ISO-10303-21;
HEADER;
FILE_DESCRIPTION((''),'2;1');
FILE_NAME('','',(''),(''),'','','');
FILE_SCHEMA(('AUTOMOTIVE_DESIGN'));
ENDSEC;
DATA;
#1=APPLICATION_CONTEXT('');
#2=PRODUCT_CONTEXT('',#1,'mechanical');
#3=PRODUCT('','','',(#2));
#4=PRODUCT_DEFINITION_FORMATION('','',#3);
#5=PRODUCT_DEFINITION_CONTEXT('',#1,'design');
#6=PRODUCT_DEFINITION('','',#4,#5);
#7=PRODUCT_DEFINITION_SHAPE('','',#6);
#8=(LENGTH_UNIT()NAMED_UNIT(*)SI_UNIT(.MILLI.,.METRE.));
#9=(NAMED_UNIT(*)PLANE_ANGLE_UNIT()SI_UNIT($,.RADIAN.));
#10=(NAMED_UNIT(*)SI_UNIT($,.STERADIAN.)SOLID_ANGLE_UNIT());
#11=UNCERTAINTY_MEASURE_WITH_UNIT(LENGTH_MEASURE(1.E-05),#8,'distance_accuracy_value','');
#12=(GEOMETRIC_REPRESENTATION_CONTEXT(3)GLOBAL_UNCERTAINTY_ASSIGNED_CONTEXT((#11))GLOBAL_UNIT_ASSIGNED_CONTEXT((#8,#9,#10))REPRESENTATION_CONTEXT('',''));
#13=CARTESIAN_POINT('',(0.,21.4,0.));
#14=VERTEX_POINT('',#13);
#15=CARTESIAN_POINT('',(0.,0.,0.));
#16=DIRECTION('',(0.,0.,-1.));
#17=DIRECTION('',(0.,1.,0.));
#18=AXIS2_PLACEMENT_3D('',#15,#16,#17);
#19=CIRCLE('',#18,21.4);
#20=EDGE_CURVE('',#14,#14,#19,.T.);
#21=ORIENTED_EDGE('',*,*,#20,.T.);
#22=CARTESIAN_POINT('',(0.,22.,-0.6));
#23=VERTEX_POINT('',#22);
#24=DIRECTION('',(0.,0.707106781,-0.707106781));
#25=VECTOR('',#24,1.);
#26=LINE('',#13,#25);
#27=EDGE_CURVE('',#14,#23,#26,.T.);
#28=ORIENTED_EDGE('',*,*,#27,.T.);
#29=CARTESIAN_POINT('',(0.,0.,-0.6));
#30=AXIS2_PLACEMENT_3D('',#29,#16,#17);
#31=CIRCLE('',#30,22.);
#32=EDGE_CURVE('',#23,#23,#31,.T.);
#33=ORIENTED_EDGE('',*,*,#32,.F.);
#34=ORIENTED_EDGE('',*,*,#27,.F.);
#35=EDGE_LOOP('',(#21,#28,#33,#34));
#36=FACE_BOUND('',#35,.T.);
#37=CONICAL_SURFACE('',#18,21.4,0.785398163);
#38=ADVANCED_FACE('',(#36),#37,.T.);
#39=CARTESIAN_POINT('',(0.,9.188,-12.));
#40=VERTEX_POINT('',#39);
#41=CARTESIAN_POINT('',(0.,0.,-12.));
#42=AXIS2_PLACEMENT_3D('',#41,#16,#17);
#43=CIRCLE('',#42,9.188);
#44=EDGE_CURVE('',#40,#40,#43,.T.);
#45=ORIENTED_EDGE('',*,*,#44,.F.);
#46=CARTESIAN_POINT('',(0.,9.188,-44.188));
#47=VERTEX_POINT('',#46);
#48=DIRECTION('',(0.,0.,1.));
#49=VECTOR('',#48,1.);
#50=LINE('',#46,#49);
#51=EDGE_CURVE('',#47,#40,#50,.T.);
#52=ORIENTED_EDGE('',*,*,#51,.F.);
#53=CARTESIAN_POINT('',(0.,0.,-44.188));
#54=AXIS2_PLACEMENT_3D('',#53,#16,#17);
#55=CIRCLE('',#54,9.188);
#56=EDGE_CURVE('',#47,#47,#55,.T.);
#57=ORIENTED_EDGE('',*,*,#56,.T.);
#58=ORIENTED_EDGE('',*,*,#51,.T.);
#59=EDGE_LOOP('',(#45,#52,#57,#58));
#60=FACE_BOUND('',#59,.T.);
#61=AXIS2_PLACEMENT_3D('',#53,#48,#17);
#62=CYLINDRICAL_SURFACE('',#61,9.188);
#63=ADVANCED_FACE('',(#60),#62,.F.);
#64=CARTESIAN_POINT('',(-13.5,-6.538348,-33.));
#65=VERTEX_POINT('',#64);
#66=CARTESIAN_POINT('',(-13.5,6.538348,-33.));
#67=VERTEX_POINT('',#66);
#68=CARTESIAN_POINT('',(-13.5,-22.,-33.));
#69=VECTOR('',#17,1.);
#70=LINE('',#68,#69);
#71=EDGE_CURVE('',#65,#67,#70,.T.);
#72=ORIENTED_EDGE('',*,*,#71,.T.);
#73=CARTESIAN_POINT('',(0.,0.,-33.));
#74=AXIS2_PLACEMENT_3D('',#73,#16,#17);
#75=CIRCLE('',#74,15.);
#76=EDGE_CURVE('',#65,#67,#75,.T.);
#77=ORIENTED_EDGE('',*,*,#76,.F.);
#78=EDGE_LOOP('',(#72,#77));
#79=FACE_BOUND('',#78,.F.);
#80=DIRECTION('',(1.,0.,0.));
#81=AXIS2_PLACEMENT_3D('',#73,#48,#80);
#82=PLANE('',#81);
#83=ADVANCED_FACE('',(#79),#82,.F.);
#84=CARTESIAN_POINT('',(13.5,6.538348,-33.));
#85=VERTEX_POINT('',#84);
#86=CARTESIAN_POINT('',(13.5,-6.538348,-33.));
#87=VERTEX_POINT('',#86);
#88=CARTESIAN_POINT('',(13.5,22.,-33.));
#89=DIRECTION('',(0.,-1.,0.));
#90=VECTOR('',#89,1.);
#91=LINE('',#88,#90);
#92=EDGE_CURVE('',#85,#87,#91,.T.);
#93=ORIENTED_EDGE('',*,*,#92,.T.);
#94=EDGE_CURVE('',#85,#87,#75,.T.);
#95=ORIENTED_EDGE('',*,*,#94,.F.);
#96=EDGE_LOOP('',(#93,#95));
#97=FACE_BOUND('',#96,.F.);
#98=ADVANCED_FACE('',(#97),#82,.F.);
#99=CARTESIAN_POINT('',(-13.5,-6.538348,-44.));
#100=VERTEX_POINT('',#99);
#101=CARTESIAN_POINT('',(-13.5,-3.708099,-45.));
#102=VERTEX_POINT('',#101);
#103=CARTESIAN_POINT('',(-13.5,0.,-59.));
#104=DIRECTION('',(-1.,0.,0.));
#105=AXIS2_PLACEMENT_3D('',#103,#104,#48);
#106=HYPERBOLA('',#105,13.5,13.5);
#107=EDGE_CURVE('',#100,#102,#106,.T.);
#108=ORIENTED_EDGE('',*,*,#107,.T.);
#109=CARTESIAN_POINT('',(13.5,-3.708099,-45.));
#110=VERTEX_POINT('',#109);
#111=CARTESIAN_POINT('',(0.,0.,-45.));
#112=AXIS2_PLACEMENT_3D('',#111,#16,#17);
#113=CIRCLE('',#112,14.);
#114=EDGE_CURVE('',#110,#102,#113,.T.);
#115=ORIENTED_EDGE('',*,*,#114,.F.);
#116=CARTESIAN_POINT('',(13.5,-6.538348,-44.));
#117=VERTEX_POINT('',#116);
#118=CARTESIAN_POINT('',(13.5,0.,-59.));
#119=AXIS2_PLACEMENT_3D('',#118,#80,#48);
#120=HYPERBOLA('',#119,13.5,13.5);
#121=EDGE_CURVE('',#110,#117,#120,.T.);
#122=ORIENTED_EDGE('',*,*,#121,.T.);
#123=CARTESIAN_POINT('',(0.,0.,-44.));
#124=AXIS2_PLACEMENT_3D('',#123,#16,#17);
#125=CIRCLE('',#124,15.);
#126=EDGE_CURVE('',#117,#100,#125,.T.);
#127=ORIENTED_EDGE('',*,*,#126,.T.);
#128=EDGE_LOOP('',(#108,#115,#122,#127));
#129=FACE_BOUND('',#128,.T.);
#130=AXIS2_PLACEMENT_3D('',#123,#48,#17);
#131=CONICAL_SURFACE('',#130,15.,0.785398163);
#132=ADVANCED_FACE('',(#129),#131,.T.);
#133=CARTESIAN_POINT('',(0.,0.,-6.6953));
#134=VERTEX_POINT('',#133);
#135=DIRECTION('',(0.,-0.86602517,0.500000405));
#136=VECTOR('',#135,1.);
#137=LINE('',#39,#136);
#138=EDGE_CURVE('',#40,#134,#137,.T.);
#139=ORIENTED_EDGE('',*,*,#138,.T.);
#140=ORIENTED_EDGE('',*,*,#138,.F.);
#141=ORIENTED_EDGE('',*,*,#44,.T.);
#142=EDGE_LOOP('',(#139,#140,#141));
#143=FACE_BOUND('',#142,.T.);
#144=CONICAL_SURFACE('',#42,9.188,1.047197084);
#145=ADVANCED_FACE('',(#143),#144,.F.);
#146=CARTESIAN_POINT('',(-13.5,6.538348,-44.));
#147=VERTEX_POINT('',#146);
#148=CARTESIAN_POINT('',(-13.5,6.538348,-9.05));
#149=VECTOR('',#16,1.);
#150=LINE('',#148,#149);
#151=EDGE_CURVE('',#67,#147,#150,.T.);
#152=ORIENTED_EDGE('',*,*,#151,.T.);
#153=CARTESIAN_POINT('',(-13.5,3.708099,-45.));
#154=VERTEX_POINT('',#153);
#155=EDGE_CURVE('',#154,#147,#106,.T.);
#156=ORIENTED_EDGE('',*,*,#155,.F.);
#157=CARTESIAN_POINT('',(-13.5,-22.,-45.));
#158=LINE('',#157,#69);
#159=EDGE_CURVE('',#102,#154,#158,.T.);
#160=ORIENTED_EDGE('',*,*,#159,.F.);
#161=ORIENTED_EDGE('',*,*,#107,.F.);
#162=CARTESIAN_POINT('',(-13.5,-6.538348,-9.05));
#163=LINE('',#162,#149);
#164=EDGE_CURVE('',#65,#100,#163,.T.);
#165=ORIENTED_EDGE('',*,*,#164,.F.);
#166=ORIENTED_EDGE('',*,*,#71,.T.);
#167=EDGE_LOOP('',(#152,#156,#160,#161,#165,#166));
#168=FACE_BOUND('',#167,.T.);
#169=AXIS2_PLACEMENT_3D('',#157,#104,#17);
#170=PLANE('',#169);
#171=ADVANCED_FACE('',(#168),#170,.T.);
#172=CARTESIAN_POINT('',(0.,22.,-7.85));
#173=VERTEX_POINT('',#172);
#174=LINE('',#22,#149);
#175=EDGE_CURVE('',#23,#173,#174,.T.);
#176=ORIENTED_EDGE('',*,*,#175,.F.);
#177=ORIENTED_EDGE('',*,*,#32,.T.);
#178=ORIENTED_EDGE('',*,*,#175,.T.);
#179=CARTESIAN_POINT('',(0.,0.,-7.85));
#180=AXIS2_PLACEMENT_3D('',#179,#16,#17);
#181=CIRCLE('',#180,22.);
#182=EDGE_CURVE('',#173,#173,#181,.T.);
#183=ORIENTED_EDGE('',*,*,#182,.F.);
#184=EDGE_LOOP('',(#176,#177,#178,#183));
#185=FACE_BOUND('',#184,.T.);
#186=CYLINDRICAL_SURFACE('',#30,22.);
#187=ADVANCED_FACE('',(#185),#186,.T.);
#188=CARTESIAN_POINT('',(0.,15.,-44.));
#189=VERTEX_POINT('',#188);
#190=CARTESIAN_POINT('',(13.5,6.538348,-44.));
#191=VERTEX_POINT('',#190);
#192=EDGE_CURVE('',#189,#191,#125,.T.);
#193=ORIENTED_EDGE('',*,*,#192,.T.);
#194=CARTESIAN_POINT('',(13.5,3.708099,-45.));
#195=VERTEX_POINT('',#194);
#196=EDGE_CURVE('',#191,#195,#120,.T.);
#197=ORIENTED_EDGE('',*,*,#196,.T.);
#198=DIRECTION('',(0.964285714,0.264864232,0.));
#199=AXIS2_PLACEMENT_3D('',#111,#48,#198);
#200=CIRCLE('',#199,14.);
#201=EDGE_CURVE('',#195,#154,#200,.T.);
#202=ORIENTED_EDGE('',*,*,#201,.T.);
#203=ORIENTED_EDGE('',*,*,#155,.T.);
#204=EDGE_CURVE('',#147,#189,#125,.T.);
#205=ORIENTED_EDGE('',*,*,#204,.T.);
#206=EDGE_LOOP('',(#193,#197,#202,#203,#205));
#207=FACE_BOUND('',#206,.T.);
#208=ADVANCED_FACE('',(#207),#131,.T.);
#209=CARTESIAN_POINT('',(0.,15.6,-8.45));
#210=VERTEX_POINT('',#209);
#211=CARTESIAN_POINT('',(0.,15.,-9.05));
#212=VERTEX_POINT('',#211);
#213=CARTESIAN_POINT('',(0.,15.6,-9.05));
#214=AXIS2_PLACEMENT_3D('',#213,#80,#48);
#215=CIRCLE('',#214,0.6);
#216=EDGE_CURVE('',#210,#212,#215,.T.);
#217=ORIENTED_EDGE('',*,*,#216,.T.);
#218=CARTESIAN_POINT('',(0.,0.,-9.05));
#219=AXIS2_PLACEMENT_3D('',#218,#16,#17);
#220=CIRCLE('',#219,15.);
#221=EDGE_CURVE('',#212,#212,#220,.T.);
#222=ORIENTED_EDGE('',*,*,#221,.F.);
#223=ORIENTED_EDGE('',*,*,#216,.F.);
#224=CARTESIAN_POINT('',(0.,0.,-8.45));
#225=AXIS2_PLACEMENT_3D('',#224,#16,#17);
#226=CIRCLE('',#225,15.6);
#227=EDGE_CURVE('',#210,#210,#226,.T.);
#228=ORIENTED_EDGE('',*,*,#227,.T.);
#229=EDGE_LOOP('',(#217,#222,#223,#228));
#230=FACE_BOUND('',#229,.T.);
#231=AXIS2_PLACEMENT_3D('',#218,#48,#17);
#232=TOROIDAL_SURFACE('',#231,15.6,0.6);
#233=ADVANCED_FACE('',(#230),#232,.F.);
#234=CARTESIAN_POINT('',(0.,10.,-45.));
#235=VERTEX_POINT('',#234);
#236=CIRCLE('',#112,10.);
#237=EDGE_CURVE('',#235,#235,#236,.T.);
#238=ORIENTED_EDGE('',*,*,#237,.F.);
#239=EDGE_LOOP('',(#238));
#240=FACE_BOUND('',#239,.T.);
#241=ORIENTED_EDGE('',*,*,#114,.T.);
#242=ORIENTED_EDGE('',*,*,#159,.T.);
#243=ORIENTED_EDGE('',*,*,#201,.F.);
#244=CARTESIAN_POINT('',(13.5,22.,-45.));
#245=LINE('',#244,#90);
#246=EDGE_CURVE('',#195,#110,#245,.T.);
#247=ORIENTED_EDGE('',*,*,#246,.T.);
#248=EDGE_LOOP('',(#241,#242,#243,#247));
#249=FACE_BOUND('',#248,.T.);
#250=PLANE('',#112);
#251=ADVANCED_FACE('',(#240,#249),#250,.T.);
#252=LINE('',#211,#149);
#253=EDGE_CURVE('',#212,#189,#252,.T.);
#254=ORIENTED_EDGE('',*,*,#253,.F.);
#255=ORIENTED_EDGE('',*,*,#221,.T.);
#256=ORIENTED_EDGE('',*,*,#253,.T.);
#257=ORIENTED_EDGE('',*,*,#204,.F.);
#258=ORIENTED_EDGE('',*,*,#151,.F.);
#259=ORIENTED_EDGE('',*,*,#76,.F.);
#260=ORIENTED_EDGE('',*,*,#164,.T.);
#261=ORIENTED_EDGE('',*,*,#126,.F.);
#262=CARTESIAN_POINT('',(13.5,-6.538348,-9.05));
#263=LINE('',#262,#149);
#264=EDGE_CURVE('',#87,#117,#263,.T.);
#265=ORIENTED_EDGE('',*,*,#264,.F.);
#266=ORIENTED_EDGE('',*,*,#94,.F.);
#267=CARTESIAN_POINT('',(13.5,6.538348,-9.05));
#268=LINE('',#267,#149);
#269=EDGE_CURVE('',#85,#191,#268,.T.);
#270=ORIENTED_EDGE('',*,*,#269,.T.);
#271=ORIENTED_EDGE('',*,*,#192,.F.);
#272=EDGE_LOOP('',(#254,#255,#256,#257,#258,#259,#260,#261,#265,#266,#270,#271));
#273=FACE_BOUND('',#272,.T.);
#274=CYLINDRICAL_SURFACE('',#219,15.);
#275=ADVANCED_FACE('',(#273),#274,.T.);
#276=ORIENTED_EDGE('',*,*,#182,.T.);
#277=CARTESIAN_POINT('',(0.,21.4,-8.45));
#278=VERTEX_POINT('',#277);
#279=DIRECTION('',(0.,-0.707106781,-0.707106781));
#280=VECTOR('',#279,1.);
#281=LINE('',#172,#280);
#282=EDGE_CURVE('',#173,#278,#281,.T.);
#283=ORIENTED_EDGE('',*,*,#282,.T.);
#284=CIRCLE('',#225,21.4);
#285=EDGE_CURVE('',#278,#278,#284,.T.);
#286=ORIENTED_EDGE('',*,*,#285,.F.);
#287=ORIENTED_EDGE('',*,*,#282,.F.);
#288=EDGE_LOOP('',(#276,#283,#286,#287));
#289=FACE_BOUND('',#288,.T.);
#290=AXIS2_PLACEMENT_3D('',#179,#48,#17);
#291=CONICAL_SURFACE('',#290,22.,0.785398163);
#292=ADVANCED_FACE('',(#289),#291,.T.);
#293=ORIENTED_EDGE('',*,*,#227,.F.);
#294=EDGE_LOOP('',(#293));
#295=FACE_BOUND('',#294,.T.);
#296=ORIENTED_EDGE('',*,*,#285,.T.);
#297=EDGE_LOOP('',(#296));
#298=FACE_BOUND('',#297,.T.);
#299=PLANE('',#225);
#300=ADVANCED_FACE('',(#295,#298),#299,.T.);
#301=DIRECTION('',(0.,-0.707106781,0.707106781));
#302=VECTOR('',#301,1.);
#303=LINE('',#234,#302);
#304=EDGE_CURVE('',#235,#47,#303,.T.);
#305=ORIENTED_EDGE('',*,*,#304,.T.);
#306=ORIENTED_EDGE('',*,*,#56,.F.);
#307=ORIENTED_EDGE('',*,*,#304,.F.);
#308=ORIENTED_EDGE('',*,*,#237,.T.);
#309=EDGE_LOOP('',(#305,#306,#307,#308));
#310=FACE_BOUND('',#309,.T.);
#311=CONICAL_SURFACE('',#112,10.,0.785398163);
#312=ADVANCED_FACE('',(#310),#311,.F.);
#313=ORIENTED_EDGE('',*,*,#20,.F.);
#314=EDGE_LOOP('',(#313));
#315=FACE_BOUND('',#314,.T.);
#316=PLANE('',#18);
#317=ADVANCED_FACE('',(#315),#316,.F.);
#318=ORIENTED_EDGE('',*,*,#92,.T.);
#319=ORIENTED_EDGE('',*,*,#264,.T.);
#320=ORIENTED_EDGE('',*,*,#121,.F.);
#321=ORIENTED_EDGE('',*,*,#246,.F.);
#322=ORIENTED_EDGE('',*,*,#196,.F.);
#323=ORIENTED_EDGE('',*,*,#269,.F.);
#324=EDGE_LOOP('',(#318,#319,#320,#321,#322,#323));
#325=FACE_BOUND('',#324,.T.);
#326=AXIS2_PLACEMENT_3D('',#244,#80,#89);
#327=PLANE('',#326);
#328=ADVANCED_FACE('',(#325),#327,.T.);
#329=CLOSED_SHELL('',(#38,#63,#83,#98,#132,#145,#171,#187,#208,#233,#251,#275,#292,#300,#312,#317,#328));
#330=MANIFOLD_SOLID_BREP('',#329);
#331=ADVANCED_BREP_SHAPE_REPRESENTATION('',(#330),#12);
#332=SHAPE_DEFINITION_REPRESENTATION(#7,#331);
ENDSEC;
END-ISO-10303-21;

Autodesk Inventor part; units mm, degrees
sketch "Sketch_1" plane through (0, 0, 0) normal (1, 0, 0) x (0, 1, 0)
  line L0 (0, -6.6953) -> (0, 0)
  line L1 (0, 0) -> (21.4, 0)
  line L2 (21.4, 0) -> (22, -0.6)
  line L3 (22, -0.6) -> (22, -7.85)
  line L4 (22, -7.85) -> (21.4, -8.45)
  line L5 (21.4, -8.45) -> (15.6, -8.45)
  arc A0 (15.6, -8.45) -> (15, -9.05) centre (15.6, -9.05) ccw
  line L6 (15, -9.05) -> (15, -44)
  line L7 (15, -44) -> (14, -45)
  line L8 (14, -45) -> (10, -45)
  line L9 (10, -45) -> (9.188, -44.188)
  line L10 (9.188, -44.188) -> (9.188, -12)
  line L11 (9.188, -12) -> (0, -6.6953)
  line L12 (0, -6.6953) -> (0, 0)
revolve "Revolution1" add sketch "Sketch_1" angle 360 about axis through (0, 0, -6.6953) along (0, 0, -1)
thread "Thread1" size "M20x1.5" class "6H" standard "ISO Metric profile" length 29.188
sketch "Sketch_4" plane through (0, 0, -45) normal (0, 0, 1) x (1, 0, 0)
  line L0 (-18.5, -27) -> (18.5, -27)
  line L1 (18.5, -27) -> (18.5, 22)
  line L2 (18.5, 22) -> (13.5, 22)
  line L3 (13.5, 22) -> (13.5, -22)
  line L4 (13.5, -22) -> (-13.5, -22)
  line L5 (-13.5, -22) -> (-13.5, 22)
  line L6 (-13.5, 22) -> (-18.5, 22)
  line L7 (-18.5, 22) -> (-18.5, -27)
extrude "Extrusion1" cut sketch "Sketch_4" along normal blind 12
ref_plane "ANBAU_XY" through (0, 0, -8.45) normal (0, 0, 1) x (1, 0, 0)
ref_plane "ANBAU_YZ" through (0, 0, -8.45) normal (1, 0, 0) x (0, 1, 0)
ref_plane "ANBAU_ZX" through (0, 0, -8.45) normal (0, 1, 0) x (0, 0, 1)
ref_plane "EP_IP_XY" through (0, 0, 0) normal (0, 0, -1) x (1, 0, 0)
ref_plane "EP_IP_YZ" through (0, 0, 0) normal (1, 0, 0) x (0, -1, 0)
ref_plane "EP_IP_ZX" through (0, 0, 0) normal (0, -1, 0) x (0, 0, -1)
properties part number "1559400 EAGF-V2-KF-80/100---(GS)"
